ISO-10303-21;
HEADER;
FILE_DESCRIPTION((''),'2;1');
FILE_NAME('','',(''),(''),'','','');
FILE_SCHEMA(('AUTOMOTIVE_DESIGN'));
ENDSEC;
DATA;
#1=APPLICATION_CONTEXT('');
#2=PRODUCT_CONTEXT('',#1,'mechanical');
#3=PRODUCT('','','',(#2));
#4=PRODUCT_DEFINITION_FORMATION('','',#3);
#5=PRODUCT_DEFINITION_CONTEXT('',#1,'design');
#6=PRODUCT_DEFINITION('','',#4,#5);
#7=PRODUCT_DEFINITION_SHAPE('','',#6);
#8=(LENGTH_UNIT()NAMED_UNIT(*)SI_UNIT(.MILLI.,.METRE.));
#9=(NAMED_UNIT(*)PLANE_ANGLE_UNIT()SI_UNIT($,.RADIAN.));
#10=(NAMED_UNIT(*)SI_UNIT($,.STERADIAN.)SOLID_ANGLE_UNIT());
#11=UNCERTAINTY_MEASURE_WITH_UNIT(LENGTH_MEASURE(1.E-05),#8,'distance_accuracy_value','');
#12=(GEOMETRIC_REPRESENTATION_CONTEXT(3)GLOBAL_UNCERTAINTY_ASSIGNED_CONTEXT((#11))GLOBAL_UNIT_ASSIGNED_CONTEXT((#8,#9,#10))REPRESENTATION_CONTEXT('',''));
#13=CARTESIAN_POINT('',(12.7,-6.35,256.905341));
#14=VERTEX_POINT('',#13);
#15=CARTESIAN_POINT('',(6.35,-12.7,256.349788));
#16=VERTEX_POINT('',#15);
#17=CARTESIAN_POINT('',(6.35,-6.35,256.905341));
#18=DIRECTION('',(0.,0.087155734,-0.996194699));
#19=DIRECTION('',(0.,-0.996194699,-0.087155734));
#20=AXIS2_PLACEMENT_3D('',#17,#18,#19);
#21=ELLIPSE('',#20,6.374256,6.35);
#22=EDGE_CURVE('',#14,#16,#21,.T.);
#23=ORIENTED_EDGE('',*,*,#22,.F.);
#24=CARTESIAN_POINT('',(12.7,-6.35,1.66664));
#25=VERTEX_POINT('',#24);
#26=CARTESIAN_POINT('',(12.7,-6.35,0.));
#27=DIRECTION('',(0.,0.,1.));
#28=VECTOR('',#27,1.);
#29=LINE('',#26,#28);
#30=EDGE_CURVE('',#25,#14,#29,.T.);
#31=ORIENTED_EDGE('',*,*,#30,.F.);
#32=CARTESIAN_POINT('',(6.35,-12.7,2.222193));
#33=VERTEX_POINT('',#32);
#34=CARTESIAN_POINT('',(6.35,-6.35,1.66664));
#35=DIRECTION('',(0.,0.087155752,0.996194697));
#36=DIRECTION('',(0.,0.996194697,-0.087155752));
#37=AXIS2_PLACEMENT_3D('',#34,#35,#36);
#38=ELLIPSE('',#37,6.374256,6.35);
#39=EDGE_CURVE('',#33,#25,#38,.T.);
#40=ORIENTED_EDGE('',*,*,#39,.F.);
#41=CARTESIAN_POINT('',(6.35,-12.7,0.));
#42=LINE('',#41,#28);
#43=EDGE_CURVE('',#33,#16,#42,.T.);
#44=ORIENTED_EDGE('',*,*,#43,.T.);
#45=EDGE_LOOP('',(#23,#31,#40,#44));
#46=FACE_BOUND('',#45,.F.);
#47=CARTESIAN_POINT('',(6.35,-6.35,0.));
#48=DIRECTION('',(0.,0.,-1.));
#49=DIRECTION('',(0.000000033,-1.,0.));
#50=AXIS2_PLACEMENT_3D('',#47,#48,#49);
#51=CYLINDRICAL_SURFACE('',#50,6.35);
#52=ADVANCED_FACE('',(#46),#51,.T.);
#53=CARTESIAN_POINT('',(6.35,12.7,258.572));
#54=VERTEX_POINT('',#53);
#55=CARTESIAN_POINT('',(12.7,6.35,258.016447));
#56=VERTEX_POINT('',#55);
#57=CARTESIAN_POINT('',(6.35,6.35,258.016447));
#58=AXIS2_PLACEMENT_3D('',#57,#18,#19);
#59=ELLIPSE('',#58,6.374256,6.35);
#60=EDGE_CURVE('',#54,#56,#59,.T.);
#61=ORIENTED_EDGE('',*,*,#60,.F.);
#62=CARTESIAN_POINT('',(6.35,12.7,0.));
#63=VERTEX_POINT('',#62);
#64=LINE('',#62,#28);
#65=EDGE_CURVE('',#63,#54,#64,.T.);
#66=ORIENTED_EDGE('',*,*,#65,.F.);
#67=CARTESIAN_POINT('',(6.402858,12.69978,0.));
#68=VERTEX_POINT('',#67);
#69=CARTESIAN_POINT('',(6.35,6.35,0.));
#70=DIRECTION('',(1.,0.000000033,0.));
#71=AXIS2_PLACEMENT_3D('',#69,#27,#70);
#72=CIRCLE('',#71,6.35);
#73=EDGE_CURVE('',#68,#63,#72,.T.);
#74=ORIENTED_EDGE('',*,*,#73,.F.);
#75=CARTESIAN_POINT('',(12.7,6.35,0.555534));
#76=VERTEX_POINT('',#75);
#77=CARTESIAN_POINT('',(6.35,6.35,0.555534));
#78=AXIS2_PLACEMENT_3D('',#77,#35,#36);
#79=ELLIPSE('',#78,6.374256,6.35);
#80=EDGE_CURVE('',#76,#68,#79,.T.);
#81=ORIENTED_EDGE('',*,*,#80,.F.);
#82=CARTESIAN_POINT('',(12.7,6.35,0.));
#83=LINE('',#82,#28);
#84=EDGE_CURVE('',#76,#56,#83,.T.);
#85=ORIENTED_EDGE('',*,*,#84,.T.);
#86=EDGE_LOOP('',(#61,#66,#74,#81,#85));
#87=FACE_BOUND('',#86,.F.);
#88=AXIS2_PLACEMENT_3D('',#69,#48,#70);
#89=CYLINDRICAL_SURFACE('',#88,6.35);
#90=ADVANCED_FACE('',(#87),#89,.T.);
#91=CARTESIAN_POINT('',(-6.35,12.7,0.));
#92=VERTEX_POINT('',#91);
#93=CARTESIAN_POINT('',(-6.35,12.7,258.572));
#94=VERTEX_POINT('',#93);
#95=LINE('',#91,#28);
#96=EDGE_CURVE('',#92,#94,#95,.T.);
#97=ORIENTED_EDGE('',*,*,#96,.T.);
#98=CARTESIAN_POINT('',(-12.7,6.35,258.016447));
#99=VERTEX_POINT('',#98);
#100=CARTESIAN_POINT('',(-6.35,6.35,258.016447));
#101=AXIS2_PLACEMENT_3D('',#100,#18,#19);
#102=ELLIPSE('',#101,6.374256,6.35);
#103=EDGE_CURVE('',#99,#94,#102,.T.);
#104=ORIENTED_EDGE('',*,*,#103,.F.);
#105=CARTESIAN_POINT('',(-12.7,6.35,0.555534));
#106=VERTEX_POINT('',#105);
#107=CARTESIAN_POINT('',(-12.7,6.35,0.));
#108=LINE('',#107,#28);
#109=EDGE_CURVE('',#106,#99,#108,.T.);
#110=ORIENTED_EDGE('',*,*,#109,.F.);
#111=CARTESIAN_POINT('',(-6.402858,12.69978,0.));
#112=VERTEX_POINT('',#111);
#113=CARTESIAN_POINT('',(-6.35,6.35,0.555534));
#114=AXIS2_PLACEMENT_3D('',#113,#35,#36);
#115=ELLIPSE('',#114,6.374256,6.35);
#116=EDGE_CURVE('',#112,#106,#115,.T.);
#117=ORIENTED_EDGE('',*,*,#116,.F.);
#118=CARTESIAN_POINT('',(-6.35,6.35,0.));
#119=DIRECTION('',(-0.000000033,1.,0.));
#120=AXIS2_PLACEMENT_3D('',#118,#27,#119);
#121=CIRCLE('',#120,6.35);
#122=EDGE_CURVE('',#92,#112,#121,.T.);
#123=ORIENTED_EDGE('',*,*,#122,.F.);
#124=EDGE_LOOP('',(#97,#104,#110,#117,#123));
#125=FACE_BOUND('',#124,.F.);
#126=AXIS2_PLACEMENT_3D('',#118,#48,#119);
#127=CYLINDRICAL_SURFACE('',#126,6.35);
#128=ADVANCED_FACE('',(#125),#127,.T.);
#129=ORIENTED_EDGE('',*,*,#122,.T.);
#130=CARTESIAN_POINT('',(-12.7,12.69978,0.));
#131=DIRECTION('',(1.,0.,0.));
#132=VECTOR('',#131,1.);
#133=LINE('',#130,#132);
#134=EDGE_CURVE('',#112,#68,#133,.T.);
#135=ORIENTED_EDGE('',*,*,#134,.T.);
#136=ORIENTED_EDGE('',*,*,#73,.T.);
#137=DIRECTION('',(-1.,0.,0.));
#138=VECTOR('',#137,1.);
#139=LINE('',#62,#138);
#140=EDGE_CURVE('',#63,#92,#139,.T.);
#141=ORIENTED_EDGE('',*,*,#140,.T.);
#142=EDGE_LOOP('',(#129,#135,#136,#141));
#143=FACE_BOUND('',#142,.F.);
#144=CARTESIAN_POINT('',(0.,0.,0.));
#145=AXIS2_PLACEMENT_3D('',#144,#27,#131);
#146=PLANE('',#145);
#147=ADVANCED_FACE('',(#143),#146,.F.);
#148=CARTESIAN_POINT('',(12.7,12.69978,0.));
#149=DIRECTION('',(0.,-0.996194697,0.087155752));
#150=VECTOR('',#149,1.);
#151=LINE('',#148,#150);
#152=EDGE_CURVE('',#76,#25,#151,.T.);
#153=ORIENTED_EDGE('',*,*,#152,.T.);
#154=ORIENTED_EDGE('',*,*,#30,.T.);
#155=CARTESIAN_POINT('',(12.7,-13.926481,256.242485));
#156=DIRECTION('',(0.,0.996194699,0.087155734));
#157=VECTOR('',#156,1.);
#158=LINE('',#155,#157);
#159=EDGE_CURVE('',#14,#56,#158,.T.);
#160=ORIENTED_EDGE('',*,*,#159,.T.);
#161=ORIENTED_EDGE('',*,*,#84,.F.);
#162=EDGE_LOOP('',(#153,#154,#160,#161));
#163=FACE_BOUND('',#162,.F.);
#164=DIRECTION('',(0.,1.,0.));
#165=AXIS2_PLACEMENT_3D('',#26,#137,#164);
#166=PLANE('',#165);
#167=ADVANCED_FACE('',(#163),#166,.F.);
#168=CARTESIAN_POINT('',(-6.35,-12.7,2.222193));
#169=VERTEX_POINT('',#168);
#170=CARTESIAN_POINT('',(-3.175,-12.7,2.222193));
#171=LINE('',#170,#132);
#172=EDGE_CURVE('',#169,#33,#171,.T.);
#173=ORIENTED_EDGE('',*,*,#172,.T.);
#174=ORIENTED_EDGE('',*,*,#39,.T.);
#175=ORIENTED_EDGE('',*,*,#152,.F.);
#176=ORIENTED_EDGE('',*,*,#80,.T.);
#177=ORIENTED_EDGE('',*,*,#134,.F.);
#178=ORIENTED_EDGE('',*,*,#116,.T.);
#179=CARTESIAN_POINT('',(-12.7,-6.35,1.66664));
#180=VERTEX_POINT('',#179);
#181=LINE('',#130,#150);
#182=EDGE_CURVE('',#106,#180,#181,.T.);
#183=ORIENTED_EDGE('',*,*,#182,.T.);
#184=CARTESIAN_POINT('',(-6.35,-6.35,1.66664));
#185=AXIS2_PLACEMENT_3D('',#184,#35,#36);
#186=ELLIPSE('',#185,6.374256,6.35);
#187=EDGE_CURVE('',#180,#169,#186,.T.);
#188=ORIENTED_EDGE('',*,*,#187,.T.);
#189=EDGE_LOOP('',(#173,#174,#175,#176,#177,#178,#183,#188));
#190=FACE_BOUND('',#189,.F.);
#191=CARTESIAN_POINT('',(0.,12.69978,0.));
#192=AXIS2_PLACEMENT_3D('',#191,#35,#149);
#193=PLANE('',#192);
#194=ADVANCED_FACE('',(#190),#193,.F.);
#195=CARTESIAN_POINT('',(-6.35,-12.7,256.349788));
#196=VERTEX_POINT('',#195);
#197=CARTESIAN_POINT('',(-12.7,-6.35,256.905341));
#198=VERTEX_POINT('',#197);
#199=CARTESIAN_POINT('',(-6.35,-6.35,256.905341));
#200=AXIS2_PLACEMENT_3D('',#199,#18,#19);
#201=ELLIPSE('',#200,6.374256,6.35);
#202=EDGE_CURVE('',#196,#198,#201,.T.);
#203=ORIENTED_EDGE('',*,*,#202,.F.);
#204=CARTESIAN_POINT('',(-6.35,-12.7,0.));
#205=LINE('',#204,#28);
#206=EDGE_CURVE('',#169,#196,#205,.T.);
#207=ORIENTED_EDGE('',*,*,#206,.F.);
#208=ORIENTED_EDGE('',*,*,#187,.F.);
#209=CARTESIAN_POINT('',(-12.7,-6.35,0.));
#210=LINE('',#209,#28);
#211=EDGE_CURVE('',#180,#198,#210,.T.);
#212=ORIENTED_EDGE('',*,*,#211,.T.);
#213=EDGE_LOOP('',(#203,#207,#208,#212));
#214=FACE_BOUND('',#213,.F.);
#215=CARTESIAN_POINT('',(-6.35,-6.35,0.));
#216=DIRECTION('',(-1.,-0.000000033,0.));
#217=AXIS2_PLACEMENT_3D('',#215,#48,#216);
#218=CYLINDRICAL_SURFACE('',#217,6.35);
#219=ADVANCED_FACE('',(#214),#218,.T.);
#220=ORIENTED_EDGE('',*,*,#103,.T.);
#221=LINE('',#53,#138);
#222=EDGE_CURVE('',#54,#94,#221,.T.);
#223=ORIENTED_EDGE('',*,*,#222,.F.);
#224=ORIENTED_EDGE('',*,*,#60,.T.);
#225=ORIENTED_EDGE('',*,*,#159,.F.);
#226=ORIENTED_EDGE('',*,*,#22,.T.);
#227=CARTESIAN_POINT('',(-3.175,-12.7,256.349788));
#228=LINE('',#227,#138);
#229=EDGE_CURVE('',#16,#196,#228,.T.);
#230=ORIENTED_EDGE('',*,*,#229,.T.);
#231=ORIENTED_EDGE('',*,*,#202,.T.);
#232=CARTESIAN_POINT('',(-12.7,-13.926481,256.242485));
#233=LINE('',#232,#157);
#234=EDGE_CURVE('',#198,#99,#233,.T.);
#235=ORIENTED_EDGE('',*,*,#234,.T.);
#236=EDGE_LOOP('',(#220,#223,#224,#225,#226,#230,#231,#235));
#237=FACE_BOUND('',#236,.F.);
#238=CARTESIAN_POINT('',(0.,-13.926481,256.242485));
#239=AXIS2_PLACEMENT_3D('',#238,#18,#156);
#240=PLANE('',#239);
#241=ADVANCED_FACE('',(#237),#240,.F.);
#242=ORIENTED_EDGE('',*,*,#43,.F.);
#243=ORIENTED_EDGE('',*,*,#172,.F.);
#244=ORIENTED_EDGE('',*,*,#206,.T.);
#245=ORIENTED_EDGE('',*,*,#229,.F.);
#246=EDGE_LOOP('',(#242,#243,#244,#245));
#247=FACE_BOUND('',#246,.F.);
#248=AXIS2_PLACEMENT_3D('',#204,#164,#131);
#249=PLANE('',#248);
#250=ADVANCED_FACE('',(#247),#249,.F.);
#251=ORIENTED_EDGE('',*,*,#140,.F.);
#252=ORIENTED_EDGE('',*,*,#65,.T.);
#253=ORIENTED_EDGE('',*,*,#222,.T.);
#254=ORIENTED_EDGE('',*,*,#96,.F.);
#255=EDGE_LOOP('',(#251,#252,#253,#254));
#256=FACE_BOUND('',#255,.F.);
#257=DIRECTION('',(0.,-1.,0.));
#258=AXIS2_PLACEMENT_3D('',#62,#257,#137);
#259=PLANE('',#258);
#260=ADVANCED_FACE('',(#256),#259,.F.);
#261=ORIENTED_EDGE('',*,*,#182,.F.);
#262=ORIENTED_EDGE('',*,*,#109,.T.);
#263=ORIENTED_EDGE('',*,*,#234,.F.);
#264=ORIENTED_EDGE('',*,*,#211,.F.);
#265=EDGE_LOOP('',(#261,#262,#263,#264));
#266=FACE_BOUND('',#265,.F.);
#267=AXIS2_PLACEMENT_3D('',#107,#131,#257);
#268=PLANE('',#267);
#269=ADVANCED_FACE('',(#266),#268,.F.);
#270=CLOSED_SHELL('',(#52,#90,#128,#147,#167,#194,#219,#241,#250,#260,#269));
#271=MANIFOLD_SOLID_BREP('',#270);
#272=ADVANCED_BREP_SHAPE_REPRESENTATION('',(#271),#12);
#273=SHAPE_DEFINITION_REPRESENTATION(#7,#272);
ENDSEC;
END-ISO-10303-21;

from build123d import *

# Parameters (mm, degrees)
F1_DEPTH = 258.572
F3_DEPTH = 12.7
F5_DEPTH = 12.7


with BuildPart() as f1:
    # F0 (on Top) → F1 (new body)
    with BuildSketch(Plane.XY):
        with BuildLine():
            ThreePointArc((12.7, 6.35), (10.840128, 10.840128), (6.35, 12.7))
            Line((6.35, 12.7), (-6.35, 12.7))
            ThreePointArc((-6.35, 12.7), (-10.840128, 10.840128), (-12.7, 6.35))
            Line((-12.7, 6.35), (-12.7, -6.35))
            ThreePointArc((-12.7, -6.35), (-10.840128, -10.840128), (-6.35, -12.7))
            Line((-6.35, -12.7), (6.35, -12.7))
            ThreePointArc((6.35, -12.7), (10.840128, -10.840128), (12.7, -6.35))
            Line((12.7, -6.35), (12.7, 6.35))
        make_face()
    extrude(amount=F1_DEPTH)

    # F2 (on Right) → F3 (cut, symmetric)
    with BuildSketch(Plane.YZ):
        Polygon((-17.71266, 0), (12.69978, 0), (-17.71266, 2.660744), align=None)
    extrude(amount=F3_DEPTH, both=True, mode=Mode.SUBTRACT)

    # F4 (on Right) → F5 (cut, symmetric)
    with BuildSketch(Plane.YZ):
        Polygon((-13.926481, 256.242485), (12.7, 258.572), (-13.926481, 258.572), align=None)
    extrude(amount=F5_DEPTH, both=True, mode=Mode.SUBTRACT)


solid = f1.part
